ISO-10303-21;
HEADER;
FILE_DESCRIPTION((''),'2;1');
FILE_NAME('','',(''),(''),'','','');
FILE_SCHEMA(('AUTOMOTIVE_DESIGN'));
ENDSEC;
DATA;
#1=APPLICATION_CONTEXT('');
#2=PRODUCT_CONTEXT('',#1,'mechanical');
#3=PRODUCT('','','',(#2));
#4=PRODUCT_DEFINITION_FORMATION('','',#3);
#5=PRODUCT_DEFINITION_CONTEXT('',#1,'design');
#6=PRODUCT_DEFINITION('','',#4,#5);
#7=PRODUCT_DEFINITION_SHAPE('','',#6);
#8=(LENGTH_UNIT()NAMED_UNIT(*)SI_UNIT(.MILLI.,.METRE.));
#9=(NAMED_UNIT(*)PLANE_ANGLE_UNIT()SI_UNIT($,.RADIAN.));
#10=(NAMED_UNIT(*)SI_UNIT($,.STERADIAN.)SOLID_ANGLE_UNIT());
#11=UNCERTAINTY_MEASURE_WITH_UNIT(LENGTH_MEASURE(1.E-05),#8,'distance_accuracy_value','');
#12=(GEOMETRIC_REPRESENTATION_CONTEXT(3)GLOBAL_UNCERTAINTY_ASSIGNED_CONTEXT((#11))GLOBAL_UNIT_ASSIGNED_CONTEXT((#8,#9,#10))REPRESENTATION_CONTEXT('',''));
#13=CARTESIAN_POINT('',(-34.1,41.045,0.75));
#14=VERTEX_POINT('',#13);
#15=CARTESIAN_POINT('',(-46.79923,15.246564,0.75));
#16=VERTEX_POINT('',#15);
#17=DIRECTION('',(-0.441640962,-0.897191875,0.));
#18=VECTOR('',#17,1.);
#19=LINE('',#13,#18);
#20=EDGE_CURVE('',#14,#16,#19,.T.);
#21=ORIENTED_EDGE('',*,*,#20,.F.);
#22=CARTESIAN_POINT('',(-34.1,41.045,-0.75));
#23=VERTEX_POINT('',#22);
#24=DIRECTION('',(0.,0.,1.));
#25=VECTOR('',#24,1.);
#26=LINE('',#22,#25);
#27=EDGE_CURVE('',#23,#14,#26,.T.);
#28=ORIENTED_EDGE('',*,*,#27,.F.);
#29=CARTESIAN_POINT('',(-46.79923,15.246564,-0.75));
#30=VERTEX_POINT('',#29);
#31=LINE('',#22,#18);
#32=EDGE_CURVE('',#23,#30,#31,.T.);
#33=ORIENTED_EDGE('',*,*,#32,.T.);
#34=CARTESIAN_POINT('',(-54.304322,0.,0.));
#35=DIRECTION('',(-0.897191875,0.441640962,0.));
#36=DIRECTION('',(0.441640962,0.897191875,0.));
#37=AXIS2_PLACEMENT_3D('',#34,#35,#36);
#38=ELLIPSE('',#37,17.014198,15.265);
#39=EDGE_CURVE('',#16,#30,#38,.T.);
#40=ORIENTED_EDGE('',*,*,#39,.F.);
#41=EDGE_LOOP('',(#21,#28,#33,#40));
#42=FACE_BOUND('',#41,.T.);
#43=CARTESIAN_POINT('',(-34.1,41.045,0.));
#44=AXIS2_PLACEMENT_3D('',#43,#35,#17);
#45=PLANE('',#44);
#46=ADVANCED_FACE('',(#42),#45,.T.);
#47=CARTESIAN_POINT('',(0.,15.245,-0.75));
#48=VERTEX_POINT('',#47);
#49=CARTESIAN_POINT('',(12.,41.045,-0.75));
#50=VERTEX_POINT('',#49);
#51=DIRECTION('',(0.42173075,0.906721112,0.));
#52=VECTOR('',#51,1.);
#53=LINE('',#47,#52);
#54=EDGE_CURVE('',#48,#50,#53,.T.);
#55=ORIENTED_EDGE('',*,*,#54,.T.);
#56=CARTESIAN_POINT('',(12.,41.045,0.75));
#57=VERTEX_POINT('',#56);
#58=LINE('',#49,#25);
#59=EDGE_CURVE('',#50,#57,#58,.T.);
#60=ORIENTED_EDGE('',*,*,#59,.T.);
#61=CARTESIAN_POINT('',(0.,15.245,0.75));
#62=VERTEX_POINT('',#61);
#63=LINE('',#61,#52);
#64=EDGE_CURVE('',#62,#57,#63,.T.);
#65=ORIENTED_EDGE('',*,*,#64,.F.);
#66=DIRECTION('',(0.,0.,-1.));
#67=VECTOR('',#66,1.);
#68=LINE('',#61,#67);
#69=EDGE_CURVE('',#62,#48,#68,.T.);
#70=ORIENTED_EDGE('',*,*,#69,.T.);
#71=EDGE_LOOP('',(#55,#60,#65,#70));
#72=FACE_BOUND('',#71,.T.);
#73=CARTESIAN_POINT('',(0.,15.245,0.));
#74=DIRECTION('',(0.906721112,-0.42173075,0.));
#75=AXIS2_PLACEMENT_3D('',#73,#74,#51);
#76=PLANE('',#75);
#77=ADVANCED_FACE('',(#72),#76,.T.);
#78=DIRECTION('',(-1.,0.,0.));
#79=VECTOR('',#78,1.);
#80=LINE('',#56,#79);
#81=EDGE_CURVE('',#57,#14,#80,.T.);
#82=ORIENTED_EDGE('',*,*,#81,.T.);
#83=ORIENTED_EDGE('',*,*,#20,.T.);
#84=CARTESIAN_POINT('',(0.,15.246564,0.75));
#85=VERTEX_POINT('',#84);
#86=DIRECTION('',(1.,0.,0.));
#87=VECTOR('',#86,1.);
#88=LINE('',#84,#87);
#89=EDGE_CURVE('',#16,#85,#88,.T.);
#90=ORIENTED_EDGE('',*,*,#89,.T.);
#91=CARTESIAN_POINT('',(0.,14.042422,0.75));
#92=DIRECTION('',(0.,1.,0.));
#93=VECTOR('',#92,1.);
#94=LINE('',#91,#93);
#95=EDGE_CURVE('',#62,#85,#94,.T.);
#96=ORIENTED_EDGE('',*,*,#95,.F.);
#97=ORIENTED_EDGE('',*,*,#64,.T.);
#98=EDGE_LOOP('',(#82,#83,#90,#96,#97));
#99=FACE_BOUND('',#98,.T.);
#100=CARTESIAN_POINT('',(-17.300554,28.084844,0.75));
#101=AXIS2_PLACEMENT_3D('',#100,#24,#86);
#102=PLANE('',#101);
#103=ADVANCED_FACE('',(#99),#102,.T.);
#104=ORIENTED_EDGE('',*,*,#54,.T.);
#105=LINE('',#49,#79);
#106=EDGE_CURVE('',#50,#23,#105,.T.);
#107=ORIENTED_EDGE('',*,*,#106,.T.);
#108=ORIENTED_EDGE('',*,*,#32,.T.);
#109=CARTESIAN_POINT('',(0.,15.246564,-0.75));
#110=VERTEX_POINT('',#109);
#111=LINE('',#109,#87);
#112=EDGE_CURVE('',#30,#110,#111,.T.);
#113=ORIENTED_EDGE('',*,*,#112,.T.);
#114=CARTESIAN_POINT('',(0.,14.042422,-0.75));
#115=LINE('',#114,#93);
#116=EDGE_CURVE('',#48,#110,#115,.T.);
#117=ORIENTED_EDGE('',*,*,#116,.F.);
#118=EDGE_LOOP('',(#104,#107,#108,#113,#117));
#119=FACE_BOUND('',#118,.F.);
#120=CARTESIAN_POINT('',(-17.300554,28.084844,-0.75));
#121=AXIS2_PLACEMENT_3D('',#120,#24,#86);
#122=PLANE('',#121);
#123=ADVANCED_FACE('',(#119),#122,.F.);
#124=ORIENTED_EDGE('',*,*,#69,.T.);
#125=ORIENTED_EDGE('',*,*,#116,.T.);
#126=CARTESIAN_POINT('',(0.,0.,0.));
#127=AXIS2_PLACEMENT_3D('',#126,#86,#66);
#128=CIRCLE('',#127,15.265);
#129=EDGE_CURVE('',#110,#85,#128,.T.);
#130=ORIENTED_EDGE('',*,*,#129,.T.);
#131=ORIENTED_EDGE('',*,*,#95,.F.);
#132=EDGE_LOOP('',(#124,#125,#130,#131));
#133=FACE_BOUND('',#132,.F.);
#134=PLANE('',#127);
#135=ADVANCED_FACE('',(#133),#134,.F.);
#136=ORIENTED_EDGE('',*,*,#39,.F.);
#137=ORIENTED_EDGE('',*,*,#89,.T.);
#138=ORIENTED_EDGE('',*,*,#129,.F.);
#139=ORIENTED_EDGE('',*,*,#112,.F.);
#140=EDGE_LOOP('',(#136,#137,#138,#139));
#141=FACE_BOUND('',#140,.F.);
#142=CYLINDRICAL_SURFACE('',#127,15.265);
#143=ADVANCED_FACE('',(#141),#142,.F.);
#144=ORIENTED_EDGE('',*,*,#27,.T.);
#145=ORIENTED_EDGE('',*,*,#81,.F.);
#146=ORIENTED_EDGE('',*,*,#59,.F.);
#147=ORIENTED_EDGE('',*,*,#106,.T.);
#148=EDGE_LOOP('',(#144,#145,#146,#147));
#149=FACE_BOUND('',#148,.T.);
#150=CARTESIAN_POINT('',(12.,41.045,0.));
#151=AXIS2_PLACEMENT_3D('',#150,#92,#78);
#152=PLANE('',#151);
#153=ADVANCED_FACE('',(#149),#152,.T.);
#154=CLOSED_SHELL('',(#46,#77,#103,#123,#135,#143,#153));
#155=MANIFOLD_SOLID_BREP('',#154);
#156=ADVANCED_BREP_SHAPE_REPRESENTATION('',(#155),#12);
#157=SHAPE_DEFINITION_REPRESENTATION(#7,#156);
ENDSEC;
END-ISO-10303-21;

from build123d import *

# Parameters (mm, degrees)
BOSS_EXTRUDE1_DEPTH = 0.75
SKETCH2_R           = 15.265
CUT_EXTRUDE1_DEPTH  = 47.8


with BuildPart() as part:
    # Sketch1 → Boss-Extrude1 (new body, symmetric)
    with BuildSketch(Plane.XY):
        Polygon((0, 15.245), (12, 41.045), (-34.1, 41.045), (-46.8, 15.245), align=None)
    extrude(amount=BOSS_EXTRUDE1_DEPTH, both=True)

    # Sketch2 → Cut-Extrude1 (cut, through all)
    with BuildSketch(Plane(origin=(0, 0, 0), x_dir=(0, 0, -1), z_dir=(1, 0, 0))):
        Circle(SKETCH2_R)
    extrude(amount=-CUT_EXTRUDE1_DEPTH, mode=Mode.SUBTRACT)


solid = part.part
